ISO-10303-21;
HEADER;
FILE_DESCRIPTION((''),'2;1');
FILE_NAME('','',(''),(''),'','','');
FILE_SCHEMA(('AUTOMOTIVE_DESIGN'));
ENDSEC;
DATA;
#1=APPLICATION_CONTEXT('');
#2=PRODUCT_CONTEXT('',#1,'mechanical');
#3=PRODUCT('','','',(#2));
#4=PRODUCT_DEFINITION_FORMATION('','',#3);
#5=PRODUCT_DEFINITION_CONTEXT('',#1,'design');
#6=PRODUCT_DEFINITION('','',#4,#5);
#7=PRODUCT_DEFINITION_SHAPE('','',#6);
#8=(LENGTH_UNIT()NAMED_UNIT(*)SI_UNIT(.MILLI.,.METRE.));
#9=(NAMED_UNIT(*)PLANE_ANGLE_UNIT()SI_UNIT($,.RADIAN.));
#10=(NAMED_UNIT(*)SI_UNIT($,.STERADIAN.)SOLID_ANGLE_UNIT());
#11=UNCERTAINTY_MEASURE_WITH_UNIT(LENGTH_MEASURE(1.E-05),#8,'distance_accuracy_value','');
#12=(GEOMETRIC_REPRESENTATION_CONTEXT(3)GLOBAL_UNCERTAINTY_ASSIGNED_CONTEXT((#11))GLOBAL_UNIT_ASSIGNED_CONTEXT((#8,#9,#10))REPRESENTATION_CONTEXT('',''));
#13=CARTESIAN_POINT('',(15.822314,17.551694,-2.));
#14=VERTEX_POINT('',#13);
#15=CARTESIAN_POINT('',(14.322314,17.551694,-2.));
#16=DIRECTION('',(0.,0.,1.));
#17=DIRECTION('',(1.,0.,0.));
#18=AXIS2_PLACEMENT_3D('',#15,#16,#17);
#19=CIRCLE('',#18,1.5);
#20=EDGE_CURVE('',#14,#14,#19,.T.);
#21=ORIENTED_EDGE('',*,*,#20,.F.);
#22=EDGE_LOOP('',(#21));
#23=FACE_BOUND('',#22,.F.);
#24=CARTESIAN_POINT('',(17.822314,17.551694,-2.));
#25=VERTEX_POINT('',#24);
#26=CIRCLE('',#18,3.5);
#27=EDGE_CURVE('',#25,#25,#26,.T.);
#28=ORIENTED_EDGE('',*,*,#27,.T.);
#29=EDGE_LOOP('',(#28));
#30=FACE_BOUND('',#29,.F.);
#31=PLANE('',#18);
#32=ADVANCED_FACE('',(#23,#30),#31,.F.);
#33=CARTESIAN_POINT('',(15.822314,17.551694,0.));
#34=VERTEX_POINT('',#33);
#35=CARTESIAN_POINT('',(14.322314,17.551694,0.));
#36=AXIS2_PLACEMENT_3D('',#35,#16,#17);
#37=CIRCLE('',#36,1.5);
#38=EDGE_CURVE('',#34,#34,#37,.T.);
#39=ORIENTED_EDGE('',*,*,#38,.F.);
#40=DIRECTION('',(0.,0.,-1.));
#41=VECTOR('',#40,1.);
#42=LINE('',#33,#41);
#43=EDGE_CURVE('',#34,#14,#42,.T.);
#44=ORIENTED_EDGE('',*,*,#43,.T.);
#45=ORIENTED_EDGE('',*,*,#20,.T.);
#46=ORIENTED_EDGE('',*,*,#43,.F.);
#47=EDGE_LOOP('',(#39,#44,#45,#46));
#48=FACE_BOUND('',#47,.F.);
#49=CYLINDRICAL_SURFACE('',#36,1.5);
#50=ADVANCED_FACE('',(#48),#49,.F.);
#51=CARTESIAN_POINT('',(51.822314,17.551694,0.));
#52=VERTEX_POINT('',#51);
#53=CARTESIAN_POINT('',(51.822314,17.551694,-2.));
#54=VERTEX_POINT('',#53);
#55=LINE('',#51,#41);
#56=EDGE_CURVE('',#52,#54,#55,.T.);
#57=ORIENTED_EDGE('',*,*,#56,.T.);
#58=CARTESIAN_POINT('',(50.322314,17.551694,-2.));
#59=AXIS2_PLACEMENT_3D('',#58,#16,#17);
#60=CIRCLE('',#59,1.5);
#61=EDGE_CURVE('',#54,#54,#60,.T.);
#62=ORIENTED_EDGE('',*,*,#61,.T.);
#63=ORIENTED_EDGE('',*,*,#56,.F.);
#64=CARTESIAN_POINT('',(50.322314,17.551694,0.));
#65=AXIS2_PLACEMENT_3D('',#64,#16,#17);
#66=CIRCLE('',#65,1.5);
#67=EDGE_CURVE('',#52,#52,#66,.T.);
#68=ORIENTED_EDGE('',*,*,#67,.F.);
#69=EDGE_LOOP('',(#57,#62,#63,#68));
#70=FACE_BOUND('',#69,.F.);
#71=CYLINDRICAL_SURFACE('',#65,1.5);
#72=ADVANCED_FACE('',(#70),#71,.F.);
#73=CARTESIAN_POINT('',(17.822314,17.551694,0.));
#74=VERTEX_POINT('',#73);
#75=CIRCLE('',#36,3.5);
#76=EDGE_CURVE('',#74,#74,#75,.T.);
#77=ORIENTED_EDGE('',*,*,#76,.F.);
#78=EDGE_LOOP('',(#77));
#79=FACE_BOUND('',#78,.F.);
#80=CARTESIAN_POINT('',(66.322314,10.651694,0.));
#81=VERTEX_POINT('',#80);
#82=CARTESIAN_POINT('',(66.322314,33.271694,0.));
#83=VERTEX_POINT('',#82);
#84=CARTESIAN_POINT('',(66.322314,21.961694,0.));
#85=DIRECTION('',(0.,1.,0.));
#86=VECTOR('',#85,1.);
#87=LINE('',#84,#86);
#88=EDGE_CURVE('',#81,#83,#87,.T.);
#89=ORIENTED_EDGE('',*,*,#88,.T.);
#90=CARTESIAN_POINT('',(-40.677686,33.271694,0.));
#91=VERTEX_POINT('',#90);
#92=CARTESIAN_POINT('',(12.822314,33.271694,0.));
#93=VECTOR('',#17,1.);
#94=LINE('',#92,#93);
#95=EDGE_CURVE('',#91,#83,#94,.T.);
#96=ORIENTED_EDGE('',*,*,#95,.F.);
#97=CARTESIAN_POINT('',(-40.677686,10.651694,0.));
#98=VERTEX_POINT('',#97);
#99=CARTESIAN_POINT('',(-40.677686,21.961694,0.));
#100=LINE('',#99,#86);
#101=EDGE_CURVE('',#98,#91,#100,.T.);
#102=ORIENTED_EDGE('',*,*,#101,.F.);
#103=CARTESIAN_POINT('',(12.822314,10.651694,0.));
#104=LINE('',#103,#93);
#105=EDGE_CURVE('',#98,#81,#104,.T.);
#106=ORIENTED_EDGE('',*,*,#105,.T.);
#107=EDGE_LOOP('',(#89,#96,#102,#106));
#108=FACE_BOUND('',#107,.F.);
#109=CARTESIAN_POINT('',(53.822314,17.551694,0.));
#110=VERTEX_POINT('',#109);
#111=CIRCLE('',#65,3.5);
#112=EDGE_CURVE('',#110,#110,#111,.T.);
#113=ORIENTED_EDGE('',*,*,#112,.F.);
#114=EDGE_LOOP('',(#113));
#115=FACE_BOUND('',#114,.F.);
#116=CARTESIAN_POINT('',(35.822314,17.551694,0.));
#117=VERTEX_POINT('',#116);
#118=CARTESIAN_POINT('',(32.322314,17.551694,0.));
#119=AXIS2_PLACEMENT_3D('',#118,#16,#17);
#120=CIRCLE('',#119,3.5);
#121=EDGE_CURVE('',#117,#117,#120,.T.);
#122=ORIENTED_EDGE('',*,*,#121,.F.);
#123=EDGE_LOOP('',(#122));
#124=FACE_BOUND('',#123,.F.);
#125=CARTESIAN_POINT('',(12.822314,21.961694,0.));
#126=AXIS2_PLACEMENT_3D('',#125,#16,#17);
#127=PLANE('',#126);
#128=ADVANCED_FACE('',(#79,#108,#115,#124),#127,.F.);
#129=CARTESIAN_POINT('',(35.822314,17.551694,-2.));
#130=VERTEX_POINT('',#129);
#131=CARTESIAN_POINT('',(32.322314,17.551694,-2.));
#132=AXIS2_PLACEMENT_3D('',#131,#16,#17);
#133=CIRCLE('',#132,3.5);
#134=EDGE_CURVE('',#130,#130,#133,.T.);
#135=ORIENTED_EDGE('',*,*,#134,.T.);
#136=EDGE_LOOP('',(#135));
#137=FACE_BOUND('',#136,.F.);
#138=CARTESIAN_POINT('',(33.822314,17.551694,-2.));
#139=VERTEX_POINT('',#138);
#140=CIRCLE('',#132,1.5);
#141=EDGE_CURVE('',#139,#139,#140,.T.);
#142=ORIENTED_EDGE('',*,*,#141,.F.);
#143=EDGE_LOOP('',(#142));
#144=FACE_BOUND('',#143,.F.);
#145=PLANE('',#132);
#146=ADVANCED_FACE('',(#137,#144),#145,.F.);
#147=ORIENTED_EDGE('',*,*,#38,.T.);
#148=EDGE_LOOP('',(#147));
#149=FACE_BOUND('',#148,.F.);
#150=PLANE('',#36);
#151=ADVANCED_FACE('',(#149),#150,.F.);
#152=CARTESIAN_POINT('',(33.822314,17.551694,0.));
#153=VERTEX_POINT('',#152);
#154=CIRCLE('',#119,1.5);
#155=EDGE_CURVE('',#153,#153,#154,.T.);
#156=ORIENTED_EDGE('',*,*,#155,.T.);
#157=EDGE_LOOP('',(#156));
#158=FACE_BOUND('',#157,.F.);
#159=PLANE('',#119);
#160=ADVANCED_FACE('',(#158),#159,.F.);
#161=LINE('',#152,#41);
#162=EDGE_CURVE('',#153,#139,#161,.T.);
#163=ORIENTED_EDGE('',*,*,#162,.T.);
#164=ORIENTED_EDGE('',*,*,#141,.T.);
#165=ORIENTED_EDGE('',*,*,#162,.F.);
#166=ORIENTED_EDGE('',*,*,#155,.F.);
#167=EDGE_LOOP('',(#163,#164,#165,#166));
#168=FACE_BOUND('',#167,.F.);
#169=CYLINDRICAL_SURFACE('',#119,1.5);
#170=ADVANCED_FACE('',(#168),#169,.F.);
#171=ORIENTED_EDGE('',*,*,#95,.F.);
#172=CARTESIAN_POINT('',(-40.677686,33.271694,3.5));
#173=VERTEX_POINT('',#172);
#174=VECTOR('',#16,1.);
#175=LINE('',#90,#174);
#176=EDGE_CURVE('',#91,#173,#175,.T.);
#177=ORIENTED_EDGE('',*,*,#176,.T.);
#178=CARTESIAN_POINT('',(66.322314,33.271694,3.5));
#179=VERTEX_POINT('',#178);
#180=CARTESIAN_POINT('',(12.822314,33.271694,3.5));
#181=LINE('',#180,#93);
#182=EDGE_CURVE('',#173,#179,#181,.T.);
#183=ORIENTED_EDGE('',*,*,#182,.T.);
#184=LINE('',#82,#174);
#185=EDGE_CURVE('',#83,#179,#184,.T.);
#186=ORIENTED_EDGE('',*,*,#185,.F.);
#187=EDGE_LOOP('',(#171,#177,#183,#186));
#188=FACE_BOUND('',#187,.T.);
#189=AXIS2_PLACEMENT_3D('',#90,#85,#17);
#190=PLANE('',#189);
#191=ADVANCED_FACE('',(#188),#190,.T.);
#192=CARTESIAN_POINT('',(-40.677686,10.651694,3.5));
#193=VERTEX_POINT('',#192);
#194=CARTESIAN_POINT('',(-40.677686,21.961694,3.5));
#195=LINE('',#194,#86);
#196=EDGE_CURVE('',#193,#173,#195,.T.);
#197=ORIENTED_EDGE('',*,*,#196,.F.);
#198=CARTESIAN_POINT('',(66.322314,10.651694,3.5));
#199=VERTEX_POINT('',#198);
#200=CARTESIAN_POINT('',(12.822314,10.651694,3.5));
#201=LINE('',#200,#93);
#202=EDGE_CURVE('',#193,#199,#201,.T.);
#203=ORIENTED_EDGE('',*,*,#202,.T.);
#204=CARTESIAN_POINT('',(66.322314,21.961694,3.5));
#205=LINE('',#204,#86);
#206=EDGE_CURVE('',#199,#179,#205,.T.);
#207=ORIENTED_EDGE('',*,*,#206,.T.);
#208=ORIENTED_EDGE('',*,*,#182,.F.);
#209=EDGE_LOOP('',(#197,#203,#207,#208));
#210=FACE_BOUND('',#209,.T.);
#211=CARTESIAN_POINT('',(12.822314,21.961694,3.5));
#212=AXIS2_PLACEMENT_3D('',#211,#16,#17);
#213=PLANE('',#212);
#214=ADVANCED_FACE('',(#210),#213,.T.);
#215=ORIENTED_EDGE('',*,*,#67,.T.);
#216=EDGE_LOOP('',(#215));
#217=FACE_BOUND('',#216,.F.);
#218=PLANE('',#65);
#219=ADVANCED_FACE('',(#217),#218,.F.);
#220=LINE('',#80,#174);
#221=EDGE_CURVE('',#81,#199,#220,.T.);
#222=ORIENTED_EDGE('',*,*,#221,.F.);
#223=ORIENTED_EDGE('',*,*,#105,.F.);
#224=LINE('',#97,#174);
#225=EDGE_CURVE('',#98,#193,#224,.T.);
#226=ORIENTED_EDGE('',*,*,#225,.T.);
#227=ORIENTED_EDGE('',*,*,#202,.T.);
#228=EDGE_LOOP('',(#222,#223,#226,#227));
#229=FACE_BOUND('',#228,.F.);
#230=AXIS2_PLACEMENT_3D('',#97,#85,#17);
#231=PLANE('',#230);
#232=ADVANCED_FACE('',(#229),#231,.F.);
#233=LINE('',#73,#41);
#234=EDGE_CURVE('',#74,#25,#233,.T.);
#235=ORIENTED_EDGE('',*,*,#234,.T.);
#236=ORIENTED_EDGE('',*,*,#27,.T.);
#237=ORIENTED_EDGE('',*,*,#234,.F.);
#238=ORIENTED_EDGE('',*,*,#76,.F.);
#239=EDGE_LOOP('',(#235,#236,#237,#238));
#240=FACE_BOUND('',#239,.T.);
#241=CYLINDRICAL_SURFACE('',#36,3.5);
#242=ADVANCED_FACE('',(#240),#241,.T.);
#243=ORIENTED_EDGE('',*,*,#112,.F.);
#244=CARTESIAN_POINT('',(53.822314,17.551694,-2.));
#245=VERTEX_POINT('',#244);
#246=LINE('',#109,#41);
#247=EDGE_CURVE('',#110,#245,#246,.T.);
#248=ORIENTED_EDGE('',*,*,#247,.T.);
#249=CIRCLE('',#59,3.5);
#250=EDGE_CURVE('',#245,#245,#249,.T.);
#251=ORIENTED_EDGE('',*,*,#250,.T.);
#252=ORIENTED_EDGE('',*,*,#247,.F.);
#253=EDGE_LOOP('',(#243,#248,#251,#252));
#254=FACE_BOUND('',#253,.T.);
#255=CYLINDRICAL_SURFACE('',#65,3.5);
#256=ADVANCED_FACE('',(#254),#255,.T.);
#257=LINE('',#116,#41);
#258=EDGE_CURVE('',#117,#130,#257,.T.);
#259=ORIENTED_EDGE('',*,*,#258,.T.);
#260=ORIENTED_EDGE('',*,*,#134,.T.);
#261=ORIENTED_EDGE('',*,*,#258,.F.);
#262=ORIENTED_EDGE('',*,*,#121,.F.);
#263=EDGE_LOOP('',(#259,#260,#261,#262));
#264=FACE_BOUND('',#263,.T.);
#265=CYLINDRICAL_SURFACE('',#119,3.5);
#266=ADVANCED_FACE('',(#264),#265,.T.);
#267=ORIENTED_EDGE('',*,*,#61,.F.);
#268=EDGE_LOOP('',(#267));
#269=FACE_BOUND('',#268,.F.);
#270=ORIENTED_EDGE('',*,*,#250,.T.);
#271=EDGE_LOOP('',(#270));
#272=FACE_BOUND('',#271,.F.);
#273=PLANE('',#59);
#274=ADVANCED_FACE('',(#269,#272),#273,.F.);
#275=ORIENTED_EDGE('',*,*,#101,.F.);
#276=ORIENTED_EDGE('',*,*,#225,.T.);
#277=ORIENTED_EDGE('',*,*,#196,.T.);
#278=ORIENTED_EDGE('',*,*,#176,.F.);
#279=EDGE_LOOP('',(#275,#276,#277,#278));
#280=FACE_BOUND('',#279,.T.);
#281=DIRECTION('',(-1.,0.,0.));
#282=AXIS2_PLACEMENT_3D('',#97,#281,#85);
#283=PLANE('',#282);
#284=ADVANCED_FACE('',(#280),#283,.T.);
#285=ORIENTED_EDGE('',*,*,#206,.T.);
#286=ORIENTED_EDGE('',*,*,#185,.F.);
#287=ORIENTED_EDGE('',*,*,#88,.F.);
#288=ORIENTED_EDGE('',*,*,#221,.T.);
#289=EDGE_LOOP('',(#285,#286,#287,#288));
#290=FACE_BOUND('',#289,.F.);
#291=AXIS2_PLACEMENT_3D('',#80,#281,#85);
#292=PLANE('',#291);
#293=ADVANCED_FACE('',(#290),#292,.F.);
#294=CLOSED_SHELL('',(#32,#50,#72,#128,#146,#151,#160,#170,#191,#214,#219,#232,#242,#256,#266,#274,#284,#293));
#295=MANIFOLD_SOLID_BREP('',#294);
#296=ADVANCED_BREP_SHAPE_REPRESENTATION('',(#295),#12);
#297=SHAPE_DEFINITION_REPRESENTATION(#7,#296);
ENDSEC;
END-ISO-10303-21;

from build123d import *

# Parameters (mm, degrees)
ESBO_O1_W                = 107
ESBO_O1_H                = 22.62
RESSALTO_EXTRUS_O1_DEPTH = 3.5
ESBO_O1_4_R              = 3.5
RESSALTO_EXTRUS_O2_DEPTH = 2
ESBO_O1_7_R              = 1.5
CORTE_EXTRUS_O1_DEPTH    = 2


with BuildPart() as part:
    # Esbo_o1 → Ressalto-extrus_o1 (new body)
    with BuildSketch(Plane.XY):
        with Locations((12.82231405, 21.961694215)):
            Rectangle(ESBO_O1_W, ESBO_O1_H)
    extrude(amount=RESSALTO_EXTRUS_O1_DEPTH)

    # Esbo_o1_4 → Ressalto-extrus_o2 (add)
    with BuildSketch(Plane.XY):
        with Locations((14.32231405, 17.551694215)):
            Circle(ESBO_O1_4_R)
        with Locations((32.32231405, 17.551694215)):
            Circle(ESBO_O1_4_R)
        with Locations((50.32231405, 17.551694215)):
            Circle(ESBO_O1_4_R)
    extrude(amount=-RESSALTO_EXTRUS_O2_DEPTH)

    # Esbo_o1_7 → Corte-extrus_o1 (cut)
    with BuildSketch(Plane.XY):
        with Locations((14.32231405, 17.551694215)):
            Circle(ESBO_O1_7_R)
        with Locations((32.32231405, 17.551694215)):
            Circle(ESBO_O1_7_R)
        with Locations((50.32231405, 17.551694215)):
            Circle(ESBO_O1_7_R)
    extrude(amount=-CORTE_EXTRUS_O1_DEPTH, mode=Mode.SUBTRACT)


solid = part.part
